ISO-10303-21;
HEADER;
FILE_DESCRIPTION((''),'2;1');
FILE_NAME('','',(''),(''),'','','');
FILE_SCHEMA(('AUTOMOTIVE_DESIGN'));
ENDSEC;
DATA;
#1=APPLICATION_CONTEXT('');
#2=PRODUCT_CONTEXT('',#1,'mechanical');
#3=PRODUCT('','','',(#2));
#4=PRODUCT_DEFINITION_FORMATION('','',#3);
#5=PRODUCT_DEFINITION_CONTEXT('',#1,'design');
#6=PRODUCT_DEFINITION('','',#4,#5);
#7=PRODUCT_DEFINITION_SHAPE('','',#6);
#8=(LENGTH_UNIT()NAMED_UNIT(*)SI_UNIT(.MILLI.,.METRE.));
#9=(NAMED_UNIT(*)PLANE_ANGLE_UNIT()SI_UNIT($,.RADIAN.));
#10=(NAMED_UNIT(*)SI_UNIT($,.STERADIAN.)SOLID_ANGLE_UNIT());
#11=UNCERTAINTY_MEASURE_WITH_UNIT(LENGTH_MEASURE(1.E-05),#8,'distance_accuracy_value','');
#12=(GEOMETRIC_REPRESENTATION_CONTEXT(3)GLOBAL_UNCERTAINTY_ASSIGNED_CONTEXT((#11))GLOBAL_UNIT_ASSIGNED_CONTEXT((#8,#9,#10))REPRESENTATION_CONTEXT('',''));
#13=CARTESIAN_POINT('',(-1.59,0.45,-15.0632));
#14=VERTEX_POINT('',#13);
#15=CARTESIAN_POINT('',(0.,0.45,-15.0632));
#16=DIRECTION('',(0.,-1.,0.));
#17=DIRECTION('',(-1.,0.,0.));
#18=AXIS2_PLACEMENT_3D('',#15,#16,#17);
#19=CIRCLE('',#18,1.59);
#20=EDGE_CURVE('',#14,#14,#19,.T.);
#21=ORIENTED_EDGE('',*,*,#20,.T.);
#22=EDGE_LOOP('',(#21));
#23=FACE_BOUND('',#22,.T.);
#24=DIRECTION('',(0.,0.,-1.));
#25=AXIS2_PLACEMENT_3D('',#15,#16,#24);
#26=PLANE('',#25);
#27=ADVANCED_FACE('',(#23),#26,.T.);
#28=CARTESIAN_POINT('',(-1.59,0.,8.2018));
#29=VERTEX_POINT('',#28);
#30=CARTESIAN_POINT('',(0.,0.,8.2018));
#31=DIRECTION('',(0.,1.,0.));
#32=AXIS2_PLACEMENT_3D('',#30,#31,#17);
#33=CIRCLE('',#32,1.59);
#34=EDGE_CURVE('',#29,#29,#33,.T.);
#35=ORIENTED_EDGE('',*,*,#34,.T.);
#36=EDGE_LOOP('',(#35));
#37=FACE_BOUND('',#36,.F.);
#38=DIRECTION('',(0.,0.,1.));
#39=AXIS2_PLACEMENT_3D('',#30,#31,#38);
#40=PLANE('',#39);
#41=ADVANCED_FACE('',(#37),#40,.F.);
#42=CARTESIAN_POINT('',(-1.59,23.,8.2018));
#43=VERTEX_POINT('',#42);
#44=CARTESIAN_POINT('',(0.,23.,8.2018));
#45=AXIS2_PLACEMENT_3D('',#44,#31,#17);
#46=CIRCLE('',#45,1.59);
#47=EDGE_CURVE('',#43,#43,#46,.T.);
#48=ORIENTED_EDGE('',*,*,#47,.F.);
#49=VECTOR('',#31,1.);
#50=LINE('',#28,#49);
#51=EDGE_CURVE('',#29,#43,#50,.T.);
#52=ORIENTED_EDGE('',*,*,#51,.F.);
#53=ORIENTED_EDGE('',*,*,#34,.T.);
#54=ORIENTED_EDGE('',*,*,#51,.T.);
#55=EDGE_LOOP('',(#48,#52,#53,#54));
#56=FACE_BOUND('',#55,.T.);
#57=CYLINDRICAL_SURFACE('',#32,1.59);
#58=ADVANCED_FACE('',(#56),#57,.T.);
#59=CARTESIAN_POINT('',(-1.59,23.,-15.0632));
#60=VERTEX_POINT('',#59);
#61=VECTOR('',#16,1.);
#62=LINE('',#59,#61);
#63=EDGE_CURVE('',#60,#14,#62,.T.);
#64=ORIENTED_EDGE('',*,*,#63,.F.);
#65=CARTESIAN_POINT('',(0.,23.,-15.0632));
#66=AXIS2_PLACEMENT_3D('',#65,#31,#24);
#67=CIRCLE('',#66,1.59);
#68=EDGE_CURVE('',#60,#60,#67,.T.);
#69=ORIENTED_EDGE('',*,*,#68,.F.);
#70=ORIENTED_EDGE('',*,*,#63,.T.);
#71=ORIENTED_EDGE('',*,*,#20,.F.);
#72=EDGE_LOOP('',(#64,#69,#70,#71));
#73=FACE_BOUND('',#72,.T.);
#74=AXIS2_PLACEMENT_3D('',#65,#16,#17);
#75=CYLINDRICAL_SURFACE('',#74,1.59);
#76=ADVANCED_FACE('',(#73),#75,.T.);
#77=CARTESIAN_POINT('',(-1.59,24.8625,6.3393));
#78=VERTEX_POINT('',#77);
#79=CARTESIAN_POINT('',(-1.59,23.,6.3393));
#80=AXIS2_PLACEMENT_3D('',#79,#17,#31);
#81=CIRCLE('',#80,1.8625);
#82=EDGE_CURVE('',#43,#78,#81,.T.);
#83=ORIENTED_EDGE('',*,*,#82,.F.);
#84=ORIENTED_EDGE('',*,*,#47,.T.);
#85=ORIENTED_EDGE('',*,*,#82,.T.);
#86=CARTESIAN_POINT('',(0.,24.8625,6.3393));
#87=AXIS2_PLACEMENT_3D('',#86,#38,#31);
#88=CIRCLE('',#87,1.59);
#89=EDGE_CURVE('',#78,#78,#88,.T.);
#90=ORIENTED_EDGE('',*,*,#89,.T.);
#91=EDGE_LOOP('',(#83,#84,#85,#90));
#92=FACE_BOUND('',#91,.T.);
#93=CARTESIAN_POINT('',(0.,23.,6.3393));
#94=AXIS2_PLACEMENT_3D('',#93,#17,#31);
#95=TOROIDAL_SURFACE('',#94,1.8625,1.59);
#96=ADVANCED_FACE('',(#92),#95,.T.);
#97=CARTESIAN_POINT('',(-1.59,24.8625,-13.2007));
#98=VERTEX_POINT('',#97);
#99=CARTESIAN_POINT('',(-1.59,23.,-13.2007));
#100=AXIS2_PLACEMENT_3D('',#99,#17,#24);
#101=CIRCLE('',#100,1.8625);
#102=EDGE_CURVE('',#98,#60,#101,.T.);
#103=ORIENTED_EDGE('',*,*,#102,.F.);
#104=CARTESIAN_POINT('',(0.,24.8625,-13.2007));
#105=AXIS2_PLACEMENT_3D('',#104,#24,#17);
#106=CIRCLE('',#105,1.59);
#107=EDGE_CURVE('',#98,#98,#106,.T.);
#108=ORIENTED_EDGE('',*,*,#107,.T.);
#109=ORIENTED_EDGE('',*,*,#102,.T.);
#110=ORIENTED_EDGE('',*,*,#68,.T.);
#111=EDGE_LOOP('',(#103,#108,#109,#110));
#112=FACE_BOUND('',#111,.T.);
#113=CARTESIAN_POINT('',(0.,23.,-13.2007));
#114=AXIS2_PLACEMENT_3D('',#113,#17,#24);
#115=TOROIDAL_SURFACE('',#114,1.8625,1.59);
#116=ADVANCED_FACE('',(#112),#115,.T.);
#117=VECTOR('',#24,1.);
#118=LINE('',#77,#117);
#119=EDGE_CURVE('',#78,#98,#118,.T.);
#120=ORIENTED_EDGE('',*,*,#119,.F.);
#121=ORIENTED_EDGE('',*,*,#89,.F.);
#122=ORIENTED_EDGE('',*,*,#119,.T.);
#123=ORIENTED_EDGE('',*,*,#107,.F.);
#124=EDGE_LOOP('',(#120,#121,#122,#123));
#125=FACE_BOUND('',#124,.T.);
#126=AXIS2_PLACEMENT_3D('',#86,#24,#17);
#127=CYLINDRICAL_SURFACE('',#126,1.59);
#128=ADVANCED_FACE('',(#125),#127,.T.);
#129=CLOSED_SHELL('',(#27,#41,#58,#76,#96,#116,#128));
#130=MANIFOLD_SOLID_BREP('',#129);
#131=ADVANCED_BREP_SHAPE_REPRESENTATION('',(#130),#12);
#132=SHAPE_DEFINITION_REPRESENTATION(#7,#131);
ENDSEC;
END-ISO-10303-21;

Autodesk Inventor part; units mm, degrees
ref_plane "YZ Plane" through (0, 0, 0) normal (1, 0, 0) x (0, 1, 0)
ref_plane "XZ Plane" through (0, 0, 0) normal (0, 1, 0) x (-1, 0, 0)
ref_plane "XY Plane" through (0, 0, 0) normal (0, 0, 1) x (1, 0, 0)
sketch "Boceto1" plane through (0, 0, 0) normal (1, 0, 0) x (0, 1, 0)
  line L0 (0, 8.3393) -> (23, 8.3393)
  line L1 (25, 6.3393) -> (25, -13.2007)
  line L2 (23, -15.2007) -> (0.45, -15.2007)
  arc A0 (25, 6.3393) -> (23, 8.3393) centre (23, 6.3393) ccw
  arc A1 (23, -15.2007) -> (25, -13.2007) centre (23, -13.2007) ccw
  line L3 (0, 13.6272) -> (0, -20.4886) projected
  point P0 (0, 0)
  point P1 (25, 8.3393)
  point P2 (25, -15.2007)
  dimension "d0" = 25
  dimension "d2" = 23.54
  dimension "d6" = 2
  dimension "d8" = 24.55
  dimension "d9" = 25
sketch "Boceto2" plane through (0, 0, 0) normal (0, 1, 0) x (-1, 0, 0)
  circle A0 centre (0, 8.2018) radius 1.59
  point P0 (0, 0)
  dimension "d3" = 3.18
sweep "Barrido1" add profiles "Boceto2" path "Boceto1" path curves L0 A0 L1 A1 L2
properties part number "BRAZOS BAILARINA"
